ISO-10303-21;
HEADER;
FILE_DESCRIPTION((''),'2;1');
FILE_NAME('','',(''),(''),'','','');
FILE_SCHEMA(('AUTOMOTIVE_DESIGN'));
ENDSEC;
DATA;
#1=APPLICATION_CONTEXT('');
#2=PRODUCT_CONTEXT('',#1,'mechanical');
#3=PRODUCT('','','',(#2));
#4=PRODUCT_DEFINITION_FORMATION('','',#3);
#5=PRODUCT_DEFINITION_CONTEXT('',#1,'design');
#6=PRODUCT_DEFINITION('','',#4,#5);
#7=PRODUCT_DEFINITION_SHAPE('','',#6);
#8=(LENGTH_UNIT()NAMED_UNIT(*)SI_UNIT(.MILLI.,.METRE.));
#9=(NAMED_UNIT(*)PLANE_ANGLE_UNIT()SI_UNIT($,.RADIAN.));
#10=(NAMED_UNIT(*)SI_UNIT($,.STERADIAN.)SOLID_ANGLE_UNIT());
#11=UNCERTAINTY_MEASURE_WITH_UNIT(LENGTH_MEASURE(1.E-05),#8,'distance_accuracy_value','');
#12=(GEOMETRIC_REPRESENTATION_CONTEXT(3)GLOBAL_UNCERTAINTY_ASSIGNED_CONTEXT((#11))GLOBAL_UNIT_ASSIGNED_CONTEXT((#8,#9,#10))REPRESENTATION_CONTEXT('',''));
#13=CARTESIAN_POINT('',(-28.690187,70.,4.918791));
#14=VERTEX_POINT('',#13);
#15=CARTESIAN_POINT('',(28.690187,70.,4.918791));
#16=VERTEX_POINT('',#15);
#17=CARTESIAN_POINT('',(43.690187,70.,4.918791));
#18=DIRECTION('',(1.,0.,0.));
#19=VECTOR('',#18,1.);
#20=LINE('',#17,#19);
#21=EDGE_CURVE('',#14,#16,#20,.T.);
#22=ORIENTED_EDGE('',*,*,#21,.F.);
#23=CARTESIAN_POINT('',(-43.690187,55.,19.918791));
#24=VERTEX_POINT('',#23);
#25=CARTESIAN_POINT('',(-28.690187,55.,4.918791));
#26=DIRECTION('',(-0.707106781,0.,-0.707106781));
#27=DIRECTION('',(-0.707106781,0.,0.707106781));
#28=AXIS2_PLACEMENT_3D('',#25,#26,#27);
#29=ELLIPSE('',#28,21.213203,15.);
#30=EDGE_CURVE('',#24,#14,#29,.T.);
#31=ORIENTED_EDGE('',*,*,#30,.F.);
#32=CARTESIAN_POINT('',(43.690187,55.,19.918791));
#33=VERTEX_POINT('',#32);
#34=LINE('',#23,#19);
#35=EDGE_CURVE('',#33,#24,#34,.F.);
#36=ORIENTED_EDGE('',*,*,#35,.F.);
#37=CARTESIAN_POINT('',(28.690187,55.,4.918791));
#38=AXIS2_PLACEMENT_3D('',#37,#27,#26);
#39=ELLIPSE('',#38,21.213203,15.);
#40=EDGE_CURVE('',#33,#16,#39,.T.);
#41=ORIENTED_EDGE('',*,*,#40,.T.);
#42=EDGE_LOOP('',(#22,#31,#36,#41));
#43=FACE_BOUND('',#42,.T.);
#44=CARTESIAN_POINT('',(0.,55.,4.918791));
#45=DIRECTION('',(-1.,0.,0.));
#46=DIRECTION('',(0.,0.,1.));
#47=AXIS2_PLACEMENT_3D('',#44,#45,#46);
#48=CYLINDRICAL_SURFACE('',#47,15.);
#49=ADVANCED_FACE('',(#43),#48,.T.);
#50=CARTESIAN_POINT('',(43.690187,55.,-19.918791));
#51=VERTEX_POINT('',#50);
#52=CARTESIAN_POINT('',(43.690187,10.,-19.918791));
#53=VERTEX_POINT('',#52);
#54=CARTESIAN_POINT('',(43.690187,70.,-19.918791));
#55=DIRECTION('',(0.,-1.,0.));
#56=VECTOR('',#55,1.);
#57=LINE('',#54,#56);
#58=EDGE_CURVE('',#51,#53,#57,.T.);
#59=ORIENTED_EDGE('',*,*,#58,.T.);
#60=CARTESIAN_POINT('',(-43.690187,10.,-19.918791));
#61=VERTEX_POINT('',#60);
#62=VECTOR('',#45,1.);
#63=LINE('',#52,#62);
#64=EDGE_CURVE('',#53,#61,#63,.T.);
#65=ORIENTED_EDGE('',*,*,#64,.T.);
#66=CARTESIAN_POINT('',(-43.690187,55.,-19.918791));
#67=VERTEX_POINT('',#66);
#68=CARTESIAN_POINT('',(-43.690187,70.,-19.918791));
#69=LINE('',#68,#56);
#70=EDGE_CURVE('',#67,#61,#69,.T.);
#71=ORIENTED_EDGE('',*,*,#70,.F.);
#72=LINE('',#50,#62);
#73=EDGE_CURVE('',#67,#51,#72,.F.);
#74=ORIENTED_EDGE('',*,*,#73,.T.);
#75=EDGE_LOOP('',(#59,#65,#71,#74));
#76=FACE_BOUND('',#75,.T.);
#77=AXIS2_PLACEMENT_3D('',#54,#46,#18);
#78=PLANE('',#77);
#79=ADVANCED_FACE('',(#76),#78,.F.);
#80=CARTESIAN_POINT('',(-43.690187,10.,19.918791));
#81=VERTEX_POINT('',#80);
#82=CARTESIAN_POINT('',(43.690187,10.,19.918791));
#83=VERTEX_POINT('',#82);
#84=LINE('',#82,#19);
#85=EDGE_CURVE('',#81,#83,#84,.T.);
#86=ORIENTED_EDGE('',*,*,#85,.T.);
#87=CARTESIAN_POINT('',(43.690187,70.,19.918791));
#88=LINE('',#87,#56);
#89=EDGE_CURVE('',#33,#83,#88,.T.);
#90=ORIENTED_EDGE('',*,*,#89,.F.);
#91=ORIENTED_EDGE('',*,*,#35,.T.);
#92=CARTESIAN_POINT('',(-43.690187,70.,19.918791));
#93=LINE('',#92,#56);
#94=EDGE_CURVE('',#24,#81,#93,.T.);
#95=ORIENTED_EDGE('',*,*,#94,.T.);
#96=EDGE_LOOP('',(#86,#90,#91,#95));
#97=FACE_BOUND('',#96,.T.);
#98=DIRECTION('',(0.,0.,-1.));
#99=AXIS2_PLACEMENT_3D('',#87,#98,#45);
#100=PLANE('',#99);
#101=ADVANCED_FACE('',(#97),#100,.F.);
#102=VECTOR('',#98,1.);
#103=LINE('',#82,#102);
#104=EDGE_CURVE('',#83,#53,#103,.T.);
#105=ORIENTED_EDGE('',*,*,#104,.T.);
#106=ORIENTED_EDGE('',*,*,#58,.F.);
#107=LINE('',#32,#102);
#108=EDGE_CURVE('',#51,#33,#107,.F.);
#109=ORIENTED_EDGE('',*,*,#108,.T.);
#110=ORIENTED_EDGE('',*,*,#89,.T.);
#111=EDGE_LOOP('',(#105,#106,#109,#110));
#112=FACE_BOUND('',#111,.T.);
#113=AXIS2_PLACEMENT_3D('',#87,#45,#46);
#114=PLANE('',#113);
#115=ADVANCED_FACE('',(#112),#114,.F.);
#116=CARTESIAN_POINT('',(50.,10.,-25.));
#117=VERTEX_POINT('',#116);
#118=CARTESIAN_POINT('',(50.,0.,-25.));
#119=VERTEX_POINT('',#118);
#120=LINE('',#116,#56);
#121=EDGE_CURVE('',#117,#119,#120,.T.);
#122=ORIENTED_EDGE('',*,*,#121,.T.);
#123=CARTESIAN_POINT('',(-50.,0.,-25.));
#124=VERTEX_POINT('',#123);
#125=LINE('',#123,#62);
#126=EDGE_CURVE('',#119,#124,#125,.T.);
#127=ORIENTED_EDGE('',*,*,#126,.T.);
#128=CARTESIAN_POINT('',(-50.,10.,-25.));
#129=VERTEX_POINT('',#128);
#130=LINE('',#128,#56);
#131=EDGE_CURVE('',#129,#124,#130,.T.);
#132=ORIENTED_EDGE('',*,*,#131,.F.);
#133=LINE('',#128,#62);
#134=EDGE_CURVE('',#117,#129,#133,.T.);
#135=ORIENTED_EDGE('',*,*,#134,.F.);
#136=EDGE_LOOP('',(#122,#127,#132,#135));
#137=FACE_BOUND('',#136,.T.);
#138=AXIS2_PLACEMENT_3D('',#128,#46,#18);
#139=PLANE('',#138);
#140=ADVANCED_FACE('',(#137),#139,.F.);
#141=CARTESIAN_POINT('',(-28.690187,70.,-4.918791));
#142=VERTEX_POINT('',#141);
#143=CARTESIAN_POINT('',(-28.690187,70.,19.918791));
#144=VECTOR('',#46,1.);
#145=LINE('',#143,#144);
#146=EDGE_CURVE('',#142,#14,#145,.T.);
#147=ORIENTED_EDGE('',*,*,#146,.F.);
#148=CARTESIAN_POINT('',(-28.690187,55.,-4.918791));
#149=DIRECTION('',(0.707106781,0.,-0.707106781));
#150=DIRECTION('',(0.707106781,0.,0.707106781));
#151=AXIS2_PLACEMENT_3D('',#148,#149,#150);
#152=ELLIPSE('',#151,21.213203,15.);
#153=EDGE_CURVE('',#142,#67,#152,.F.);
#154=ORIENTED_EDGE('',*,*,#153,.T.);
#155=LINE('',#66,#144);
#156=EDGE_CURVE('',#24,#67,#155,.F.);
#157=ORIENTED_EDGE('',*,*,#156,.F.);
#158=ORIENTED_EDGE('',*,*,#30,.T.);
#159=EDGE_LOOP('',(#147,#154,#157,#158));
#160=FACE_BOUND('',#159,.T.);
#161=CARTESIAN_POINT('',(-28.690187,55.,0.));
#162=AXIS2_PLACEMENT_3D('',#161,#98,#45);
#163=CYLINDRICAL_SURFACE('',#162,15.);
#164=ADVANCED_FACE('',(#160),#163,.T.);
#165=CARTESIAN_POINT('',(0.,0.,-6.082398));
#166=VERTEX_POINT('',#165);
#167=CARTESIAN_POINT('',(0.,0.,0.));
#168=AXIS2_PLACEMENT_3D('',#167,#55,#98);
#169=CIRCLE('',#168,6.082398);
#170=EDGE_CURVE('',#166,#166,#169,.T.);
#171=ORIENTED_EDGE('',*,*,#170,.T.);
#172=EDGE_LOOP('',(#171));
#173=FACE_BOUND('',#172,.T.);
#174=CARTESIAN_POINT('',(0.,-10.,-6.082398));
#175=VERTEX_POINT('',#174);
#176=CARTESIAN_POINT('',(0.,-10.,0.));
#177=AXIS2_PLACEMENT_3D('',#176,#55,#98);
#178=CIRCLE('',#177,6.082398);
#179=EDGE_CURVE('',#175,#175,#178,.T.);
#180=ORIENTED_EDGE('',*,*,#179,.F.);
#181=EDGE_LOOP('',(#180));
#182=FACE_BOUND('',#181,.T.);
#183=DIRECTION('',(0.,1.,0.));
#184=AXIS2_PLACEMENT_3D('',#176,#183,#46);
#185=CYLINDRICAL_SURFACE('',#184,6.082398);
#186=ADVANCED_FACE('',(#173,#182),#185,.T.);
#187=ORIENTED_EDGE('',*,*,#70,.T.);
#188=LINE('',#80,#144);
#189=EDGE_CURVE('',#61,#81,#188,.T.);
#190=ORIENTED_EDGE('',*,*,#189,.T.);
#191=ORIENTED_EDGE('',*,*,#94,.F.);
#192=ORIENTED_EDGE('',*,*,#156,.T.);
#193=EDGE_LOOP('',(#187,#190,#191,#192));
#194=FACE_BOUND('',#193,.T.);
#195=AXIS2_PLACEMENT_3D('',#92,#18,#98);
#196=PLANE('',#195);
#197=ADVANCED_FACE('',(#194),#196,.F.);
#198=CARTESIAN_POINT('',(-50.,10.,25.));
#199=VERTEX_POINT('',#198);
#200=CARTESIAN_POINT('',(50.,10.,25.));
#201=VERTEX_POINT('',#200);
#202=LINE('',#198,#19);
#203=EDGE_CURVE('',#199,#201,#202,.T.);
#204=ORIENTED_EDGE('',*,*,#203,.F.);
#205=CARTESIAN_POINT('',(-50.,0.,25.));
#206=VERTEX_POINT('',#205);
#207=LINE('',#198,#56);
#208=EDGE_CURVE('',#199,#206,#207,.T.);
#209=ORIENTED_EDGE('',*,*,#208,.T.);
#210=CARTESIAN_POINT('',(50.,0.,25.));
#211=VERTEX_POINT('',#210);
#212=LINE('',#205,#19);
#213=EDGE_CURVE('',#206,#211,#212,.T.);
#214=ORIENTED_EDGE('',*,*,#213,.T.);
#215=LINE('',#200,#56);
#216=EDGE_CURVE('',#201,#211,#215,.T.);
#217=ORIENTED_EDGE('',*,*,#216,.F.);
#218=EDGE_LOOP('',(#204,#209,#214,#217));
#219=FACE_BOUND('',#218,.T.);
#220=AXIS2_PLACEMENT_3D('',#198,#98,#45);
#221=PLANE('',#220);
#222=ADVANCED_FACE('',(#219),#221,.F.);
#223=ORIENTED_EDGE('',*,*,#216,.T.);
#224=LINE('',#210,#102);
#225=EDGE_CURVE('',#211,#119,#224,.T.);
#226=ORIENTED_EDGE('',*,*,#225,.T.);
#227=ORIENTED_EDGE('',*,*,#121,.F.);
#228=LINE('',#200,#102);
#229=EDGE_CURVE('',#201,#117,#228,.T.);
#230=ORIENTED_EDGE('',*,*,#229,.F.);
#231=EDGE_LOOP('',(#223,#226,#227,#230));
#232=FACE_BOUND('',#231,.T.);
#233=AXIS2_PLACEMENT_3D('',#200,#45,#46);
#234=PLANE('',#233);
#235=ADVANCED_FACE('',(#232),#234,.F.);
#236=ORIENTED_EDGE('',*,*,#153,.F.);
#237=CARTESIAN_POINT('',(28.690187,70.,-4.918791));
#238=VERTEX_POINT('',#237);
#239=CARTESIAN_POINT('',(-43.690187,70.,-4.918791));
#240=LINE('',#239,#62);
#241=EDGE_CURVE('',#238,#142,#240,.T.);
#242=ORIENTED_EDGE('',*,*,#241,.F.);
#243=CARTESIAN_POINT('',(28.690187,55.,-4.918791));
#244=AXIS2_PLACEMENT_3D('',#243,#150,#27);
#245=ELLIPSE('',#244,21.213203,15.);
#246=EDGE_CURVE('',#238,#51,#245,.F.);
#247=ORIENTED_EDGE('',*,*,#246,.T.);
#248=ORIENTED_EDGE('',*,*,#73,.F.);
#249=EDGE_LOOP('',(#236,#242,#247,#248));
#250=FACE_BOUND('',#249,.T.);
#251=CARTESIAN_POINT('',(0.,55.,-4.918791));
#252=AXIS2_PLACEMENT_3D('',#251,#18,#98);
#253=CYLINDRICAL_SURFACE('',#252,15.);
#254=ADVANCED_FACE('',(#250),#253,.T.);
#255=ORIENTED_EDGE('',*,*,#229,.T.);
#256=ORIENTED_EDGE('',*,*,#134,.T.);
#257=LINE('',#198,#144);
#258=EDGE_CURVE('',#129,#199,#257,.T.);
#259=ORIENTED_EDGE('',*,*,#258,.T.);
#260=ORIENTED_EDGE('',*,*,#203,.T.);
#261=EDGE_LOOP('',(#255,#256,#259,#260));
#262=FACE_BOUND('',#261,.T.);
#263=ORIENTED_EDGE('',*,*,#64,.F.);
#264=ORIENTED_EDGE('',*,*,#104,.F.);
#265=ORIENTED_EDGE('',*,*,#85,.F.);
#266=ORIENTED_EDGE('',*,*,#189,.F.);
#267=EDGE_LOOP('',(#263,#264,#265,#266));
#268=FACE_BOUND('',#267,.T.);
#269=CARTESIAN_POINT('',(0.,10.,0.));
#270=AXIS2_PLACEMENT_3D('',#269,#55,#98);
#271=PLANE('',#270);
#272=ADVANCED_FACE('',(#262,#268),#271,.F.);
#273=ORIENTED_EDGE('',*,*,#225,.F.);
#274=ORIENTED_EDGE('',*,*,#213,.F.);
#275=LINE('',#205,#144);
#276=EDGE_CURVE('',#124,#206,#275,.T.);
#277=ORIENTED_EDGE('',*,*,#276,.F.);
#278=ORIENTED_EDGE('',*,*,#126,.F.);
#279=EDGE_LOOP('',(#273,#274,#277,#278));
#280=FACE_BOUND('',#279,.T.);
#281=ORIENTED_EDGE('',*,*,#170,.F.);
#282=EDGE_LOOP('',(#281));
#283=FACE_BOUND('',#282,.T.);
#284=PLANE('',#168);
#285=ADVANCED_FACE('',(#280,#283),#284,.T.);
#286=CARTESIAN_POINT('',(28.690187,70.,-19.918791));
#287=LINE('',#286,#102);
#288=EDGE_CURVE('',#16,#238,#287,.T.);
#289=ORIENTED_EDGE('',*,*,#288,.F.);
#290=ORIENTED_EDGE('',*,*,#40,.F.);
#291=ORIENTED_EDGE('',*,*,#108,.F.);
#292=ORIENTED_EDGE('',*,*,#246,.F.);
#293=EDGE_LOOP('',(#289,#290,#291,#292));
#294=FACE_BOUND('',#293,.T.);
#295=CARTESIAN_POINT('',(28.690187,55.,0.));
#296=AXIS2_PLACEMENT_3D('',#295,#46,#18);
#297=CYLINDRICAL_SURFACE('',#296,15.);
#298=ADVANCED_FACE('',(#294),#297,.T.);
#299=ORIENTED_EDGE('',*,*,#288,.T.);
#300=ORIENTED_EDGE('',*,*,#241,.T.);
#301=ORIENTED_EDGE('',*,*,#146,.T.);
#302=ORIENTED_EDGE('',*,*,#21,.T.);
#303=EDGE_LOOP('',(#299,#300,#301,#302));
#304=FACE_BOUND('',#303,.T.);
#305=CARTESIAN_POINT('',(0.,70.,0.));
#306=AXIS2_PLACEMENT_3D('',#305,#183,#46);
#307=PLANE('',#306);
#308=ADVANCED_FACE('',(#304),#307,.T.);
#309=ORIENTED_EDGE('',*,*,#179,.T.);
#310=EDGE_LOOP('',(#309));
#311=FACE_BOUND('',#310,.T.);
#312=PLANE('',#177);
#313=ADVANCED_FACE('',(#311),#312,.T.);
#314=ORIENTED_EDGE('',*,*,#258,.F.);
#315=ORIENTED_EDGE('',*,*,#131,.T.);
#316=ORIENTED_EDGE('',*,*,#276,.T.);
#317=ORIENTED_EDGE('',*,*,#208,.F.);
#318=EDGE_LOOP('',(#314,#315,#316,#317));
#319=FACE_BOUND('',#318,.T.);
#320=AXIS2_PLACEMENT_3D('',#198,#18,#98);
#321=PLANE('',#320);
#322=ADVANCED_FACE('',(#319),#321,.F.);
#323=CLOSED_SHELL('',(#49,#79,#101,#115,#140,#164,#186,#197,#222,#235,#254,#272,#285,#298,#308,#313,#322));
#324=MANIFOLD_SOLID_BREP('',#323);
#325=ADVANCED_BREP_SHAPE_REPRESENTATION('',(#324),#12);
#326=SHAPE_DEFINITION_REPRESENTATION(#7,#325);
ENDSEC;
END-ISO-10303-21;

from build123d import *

# Parameters (mm, degrees)
CROQUIS1_W              = 100
CROQUIS1_H              = 50
SALIENTE_EXTRUIR1_DEPTH = 10
CROQUIS2_W              = 87.380374462
CROQUIS2_H              = 39.837581604
SALIENTE_EXTRUIR2_DEPTH = 60
REDONDEO1_R             = 15
CROQUIS3_R              = 6.082397519
SALIENTE_EXTRUIR3_DEPTH = 10


with BuildPart() as part:
    # Croquis1 → Saliente-Extruir1 (new body)
    with BuildSketch(Plane(origin=(0, 0, 0), x_dir=(1, 0, 0), z_dir=(0, 1, 0))):
        Rectangle(CROQUIS1_W, CROQUIS1_H)
    extrude(amount=SALIENTE_EXTRUIR1_DEPTH)

    # Croquis2 → Saliente-Extruir2 (add)
    with BuildSketch(Plane(origin=(0, 10, 0), x_dir=(1, 0, 0), z_dir=(0, 1, 0))):
        Rectangle(CROQUIS2_W, CROQUIS2_H)
    extrude(amount=SALIENTE_EXTRUIR2_DEPTH)

    # Redondeo1
    redondeo1_edges = [part.edges().sort_by_distance(p)[0] for p in [
        (-43.690187231, 70, 0),
        (0, 70, 19.918790802),
        (43.690187231, 70, 0),
        (0, 70, -19.918790802),
    ]]
    fillet(redondeo1_edges, radius=REDONDEO1_R)

    # Croquis3 → Saliente-Extruir3 (add)
    with BuildSketch(Plane.XZ):
        with Locations(Location((0, 0, 0), (0, 0, 270))):
            Circle(CROQUIS3_R)
    extrude(amount=SALIENTE_EXTRUIR3_DEPTH)


solid = part.part
